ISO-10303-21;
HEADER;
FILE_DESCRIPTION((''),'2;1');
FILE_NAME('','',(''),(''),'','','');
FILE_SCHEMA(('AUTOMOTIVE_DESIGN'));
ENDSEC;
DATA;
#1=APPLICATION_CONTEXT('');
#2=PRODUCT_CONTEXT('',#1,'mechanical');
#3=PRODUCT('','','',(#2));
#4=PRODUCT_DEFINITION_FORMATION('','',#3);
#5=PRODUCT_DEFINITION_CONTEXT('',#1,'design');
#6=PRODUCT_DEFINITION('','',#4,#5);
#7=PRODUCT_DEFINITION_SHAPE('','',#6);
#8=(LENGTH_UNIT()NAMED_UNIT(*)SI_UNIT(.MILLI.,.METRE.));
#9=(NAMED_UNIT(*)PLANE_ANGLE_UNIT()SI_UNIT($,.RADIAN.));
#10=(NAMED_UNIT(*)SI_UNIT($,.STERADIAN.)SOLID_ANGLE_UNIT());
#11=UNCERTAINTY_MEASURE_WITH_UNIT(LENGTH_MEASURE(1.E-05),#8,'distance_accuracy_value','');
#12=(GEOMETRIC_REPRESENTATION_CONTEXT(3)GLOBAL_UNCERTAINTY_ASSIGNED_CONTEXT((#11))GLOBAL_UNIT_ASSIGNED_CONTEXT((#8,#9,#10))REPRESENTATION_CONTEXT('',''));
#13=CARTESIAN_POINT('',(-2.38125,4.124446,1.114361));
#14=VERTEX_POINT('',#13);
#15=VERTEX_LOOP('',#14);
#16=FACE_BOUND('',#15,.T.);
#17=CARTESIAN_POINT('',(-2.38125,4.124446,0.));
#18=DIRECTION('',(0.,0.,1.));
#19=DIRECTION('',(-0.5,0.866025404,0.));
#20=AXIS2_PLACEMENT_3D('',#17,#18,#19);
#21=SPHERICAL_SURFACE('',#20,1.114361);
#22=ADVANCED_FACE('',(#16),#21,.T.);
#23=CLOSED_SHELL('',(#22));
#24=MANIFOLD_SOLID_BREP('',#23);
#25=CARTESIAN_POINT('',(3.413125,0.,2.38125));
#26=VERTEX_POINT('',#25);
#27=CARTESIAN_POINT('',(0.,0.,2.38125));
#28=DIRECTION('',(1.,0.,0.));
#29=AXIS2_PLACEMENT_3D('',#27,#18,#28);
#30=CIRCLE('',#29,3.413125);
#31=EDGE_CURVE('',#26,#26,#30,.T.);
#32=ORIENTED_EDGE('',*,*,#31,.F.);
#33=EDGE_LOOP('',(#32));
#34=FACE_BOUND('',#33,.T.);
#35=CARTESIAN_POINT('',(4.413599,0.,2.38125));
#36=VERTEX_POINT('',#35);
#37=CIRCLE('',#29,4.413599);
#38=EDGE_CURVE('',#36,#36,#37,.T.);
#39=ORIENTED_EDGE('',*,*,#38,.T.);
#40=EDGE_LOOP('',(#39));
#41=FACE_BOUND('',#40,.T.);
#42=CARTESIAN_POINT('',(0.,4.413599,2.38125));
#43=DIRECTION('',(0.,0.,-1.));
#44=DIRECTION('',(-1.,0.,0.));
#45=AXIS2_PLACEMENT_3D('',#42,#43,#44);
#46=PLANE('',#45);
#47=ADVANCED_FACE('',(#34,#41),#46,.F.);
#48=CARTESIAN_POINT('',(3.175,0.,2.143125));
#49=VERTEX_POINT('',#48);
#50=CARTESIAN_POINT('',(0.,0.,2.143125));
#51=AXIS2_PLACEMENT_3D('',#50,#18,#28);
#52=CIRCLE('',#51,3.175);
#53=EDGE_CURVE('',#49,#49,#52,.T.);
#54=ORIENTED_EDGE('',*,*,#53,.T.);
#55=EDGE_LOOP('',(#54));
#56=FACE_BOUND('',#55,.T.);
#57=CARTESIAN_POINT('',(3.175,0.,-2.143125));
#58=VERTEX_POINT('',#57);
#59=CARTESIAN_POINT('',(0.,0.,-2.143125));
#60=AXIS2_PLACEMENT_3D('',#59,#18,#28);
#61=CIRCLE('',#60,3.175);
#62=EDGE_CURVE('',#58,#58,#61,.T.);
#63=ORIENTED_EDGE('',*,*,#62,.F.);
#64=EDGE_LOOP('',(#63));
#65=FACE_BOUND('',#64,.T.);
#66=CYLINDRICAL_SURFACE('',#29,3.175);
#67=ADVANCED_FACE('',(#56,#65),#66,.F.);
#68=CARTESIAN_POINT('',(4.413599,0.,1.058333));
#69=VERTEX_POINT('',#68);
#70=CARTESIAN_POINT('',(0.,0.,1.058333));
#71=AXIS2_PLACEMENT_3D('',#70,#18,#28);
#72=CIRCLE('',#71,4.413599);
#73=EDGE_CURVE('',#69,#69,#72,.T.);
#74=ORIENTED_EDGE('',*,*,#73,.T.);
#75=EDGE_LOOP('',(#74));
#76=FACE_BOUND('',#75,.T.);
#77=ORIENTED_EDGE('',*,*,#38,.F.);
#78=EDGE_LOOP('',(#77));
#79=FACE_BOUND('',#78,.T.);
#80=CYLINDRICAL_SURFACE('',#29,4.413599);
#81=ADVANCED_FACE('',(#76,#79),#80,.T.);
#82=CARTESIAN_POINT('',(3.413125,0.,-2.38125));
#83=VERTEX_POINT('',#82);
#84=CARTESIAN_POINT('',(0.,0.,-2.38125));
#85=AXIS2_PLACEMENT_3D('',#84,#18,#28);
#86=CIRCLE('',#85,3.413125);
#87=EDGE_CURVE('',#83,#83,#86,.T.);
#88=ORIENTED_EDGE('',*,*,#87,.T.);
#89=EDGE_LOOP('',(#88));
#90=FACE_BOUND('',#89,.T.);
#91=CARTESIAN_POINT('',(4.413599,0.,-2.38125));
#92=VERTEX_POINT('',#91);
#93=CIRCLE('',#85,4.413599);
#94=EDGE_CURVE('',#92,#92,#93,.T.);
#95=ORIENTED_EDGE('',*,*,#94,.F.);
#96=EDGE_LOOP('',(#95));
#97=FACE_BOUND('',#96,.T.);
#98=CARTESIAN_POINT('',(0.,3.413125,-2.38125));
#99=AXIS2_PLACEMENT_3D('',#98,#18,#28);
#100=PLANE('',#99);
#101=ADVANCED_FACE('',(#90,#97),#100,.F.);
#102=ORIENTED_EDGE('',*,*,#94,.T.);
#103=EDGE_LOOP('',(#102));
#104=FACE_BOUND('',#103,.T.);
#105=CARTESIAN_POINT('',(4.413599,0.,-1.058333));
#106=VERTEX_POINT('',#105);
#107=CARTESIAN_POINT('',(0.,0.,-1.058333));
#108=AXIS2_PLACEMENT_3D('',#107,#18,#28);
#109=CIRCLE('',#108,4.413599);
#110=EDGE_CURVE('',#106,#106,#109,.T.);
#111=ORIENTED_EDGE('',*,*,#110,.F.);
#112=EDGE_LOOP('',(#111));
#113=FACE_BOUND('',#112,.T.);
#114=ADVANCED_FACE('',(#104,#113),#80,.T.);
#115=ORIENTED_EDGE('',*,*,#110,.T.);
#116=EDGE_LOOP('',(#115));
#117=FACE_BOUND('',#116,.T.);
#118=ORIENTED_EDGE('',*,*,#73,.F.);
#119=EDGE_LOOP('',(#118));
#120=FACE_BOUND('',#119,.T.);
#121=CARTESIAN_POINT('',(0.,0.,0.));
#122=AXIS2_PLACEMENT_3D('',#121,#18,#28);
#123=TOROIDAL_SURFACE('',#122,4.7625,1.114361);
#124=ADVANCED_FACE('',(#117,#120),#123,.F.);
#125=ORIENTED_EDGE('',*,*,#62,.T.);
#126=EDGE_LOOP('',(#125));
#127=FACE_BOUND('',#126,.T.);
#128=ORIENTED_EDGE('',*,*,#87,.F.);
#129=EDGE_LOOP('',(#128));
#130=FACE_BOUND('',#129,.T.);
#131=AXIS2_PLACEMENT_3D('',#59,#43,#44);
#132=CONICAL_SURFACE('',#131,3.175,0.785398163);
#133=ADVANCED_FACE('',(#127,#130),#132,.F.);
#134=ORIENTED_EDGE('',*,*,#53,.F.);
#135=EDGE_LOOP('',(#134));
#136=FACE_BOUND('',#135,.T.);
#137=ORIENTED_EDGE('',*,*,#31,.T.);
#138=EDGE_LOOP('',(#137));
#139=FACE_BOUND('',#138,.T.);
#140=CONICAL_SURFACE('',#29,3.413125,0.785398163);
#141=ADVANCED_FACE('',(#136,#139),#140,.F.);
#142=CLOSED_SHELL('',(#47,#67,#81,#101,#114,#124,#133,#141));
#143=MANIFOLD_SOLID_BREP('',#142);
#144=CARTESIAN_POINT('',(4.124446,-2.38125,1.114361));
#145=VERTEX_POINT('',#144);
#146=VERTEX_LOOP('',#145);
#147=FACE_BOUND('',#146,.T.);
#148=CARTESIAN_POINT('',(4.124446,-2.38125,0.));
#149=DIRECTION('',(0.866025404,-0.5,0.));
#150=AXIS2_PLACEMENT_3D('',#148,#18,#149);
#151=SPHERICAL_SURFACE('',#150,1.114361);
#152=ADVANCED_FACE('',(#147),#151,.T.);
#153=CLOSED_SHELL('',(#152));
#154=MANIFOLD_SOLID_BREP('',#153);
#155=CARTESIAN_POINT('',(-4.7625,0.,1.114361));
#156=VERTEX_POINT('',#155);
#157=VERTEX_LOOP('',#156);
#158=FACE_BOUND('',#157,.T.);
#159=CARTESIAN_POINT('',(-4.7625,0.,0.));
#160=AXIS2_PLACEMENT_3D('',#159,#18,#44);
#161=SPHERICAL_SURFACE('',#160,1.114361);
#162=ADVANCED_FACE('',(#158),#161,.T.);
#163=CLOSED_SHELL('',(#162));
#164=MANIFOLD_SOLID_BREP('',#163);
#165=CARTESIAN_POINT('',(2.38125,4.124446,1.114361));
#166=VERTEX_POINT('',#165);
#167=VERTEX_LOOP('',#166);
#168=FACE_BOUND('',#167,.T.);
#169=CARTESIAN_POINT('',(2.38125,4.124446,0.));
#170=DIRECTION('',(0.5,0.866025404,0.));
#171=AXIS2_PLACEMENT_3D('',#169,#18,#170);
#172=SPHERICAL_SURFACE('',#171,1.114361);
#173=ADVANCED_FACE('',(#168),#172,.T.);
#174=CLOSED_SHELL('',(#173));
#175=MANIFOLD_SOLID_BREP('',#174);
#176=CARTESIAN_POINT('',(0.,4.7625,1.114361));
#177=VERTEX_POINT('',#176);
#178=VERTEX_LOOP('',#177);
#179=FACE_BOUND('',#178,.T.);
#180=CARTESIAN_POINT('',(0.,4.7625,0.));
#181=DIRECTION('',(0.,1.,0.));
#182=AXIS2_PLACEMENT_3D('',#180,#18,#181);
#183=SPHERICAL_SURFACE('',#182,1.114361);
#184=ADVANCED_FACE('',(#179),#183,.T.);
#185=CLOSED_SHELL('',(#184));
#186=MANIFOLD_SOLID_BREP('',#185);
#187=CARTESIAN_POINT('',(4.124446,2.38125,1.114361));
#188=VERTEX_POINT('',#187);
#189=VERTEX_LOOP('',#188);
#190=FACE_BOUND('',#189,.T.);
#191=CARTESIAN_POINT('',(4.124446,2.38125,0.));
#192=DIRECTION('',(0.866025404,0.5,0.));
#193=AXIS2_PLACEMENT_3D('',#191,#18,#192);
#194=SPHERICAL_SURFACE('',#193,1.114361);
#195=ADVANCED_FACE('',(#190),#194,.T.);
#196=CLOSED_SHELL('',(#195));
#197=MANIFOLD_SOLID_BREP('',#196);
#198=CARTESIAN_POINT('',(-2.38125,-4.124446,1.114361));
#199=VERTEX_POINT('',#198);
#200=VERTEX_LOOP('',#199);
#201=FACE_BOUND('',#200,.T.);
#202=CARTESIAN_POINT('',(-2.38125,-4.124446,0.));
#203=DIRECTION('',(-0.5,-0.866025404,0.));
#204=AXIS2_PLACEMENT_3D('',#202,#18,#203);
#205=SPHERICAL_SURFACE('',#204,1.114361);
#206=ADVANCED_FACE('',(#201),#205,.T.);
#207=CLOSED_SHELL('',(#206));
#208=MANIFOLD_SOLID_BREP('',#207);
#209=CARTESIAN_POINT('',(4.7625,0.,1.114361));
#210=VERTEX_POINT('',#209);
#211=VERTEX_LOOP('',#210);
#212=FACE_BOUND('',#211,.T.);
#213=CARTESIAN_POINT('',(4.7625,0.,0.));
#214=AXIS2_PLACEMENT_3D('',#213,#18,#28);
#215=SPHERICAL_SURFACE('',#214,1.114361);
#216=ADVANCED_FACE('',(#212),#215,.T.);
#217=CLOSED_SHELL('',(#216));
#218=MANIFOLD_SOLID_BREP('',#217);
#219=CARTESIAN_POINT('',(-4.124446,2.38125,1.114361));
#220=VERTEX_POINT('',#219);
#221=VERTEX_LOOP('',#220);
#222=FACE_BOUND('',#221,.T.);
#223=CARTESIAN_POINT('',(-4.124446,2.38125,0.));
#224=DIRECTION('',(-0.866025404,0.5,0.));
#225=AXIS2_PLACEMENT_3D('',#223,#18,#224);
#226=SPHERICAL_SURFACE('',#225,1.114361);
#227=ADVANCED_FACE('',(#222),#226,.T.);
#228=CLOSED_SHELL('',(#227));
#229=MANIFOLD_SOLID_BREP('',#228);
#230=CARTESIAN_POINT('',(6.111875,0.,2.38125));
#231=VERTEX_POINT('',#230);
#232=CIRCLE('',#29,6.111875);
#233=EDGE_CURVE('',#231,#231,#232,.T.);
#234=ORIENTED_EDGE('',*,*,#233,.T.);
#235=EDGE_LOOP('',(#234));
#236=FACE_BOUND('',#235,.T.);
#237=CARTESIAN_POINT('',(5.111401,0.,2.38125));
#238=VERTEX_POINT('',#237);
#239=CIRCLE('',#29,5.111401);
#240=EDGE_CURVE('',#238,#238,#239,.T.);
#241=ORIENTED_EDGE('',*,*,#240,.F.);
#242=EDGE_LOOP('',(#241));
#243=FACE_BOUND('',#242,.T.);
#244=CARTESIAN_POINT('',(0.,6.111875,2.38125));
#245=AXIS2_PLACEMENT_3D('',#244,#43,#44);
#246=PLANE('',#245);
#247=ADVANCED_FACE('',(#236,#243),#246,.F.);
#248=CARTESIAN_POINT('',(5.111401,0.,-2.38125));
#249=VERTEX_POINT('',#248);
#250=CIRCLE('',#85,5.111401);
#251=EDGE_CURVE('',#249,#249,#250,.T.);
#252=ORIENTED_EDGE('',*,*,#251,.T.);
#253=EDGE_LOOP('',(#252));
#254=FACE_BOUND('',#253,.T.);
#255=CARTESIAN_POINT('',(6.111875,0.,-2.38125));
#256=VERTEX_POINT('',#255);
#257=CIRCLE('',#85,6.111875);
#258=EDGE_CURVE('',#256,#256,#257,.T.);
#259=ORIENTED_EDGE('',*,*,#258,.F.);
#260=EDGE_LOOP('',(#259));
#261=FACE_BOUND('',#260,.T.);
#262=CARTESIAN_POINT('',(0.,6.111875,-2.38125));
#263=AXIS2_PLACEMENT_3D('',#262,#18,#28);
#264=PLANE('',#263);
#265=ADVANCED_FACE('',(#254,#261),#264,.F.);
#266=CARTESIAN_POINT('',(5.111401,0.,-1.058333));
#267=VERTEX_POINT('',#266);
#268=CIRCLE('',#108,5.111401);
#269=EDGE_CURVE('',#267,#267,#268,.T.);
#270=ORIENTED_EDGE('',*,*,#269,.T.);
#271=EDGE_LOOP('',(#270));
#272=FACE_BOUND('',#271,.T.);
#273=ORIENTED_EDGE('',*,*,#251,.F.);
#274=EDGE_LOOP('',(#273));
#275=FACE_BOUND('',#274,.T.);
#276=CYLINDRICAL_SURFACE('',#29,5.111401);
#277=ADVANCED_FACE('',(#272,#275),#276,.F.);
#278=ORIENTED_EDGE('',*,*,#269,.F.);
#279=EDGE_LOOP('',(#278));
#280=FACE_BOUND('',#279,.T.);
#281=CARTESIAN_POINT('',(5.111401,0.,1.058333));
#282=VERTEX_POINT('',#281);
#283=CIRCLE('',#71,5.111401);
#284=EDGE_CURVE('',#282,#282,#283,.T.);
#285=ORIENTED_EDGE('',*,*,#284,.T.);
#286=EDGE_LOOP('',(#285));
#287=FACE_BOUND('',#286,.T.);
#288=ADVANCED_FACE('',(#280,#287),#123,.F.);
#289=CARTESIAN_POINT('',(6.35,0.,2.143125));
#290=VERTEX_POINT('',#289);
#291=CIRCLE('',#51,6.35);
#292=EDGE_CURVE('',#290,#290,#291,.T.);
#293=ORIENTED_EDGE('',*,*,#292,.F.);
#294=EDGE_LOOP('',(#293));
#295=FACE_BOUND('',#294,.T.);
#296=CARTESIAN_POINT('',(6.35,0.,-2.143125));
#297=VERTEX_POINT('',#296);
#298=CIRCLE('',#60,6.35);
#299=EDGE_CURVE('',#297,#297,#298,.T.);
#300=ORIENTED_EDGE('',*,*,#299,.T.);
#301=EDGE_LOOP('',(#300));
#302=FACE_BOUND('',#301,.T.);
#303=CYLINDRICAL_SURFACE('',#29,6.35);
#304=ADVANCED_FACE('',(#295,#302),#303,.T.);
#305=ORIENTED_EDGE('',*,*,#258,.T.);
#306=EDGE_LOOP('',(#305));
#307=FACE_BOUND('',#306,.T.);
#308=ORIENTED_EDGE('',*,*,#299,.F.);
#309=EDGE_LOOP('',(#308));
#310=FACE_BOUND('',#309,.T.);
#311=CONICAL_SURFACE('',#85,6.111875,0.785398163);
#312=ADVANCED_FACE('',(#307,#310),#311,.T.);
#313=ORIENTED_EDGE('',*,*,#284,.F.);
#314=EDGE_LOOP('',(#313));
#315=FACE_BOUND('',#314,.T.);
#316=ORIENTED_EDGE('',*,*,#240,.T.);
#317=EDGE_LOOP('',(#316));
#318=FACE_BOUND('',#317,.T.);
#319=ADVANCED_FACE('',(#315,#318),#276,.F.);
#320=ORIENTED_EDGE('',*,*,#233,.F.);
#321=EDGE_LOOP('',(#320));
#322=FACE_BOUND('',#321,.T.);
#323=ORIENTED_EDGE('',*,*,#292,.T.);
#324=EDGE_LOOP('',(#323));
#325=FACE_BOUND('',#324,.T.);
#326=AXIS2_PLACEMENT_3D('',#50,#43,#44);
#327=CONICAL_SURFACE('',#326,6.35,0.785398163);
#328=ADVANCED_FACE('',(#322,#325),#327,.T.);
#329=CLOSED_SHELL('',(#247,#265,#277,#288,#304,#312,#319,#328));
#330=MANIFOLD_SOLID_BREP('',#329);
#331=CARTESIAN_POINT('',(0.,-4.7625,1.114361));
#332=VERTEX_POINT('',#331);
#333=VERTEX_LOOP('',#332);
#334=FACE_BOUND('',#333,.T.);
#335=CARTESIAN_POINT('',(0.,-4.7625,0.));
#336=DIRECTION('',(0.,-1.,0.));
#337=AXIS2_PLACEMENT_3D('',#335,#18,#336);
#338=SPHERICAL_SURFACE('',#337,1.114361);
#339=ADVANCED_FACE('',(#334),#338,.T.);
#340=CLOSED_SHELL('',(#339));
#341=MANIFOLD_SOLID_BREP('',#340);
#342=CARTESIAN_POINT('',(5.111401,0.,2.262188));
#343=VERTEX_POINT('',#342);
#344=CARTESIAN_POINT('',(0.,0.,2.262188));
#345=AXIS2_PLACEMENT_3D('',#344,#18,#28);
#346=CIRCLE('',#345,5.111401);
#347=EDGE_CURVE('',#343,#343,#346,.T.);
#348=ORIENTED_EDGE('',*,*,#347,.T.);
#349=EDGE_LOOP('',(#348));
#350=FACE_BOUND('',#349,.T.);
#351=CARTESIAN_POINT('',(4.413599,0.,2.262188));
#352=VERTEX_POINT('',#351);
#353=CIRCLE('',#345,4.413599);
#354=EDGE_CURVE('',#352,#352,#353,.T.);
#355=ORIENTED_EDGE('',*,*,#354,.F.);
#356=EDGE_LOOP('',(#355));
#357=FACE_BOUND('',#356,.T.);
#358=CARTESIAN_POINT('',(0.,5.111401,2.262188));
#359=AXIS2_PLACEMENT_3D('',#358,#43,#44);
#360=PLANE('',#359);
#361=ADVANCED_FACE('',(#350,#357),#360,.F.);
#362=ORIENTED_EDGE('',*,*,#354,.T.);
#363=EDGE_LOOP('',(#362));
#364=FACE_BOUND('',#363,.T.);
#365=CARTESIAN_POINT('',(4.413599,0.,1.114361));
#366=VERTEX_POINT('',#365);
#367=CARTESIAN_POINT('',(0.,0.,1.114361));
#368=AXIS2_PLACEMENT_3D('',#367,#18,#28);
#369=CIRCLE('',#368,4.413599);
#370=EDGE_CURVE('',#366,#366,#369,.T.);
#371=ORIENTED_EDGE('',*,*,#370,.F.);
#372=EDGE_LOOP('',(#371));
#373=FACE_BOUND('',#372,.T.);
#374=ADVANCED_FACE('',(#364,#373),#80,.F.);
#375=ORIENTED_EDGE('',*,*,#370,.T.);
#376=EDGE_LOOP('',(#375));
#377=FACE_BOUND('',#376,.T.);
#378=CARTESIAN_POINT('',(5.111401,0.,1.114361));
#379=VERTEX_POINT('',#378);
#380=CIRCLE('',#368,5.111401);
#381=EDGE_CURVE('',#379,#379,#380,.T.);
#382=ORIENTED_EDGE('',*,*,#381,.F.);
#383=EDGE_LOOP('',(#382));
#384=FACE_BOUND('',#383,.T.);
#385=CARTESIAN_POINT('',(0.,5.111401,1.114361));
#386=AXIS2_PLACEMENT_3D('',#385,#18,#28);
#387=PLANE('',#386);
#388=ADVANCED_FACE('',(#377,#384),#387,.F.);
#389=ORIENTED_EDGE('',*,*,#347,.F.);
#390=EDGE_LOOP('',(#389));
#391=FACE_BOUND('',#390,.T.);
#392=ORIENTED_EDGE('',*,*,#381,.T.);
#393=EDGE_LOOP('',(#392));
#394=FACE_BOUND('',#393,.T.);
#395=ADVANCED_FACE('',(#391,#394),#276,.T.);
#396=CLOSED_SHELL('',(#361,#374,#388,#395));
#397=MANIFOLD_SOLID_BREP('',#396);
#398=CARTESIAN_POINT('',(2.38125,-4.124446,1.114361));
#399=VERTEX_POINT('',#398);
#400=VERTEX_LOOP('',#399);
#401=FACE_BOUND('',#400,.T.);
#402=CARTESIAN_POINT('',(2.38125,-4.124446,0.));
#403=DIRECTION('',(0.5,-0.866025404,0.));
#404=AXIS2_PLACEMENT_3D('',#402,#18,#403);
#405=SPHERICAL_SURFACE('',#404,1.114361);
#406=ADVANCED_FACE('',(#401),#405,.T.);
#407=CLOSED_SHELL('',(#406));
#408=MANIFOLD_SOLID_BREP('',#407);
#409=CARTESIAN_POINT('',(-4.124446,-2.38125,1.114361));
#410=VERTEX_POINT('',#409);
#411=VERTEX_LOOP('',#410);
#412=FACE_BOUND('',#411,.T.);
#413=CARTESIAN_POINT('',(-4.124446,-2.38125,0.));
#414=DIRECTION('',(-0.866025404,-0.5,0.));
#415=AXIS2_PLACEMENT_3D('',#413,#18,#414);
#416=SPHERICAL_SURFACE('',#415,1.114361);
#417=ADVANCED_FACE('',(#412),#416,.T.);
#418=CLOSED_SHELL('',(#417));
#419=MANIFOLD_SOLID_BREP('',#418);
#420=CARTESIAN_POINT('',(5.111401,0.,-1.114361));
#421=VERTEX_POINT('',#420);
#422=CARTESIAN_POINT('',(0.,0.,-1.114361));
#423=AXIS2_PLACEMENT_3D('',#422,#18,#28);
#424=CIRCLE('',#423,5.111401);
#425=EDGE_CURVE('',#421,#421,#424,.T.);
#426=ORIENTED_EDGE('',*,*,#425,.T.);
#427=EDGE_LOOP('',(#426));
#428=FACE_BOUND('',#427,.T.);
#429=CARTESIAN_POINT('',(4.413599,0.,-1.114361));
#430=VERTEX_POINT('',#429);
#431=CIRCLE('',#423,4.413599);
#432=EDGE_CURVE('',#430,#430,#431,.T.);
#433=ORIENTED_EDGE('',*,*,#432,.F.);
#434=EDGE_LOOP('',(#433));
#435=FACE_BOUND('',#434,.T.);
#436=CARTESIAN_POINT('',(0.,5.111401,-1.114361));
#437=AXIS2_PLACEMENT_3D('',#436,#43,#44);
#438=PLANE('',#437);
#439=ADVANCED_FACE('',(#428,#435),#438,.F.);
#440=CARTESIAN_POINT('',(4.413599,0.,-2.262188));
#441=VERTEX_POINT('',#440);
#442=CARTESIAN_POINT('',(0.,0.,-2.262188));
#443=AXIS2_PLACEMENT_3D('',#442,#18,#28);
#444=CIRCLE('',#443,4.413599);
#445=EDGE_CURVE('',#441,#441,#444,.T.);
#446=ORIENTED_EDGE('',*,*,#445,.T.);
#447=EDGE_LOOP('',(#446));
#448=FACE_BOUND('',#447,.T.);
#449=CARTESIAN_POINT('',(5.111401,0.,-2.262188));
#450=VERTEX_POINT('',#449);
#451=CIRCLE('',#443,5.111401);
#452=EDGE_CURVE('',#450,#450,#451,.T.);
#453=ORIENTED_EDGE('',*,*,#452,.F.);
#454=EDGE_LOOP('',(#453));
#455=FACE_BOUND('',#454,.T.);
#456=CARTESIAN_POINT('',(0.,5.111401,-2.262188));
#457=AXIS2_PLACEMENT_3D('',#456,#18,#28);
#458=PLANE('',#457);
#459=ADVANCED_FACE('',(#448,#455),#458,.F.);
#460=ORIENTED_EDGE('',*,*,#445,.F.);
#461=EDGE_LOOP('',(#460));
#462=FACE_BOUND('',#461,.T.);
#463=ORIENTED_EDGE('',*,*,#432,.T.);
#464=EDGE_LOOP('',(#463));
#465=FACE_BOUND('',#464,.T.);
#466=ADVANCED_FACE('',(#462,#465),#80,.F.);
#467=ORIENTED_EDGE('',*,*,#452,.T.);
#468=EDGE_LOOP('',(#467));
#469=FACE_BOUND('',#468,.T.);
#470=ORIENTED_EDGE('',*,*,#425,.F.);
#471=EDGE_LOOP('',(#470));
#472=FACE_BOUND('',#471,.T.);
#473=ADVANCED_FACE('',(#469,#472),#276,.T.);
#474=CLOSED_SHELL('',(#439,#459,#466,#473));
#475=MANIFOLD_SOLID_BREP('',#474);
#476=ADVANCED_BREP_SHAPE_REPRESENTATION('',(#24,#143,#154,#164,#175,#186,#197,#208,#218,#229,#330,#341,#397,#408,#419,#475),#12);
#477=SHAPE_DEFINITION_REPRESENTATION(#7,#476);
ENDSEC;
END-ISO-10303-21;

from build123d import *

# Parameters (mm, degrees)
CIRPATTERN1_COUNT = 12
SKETCH5_W         = 1.147826059
SKETCH5_H         = 0.697802198


with BuildPart() as part:
    # Sketch1 → Revolve1 (revolve)
    with BuildSketch(Plane(origin=(0, 0, 0), x_dir=(0, 0, -1), z_dir=(1, 0, 0))):
        with BuildLine():
            Line((2.143125, 6.35), (-2.143125, 6.35))
            Line((-2.143125, 6.35), (-2.38125, 6.111875))
            Line((-2.38125, 6.111875), (-2.38125, 5.111401099))
            Line((-2.38125, 5.111401099), (-1.058333333, 5.111401099))
            ThreePointArc((-1.058333333, 5.111401099), (0, 5.876861441), (1.058333333, 5.111401099))
            Line((1.058333333, 5.111401099), (2.38125, 5.111401099))
            Line((2.38125, 5.111401099), (2.38125, 6.111875))
            Line((2.38125, 6.111875), (2.143125, 6.35))
        make_face()
    revolve(axis=Axis((0, 0, 2.38125), (0, 0, -1)))


with BuildPart() as body_2:
    # Sketch3 → Revolve3 (revolve)
    with BuildSketch(Plane(origin=(0, 0, 0), x_dir=(0, 0, -1), z_dir=(1, 0, 0))):
        with BuildLine():
            Line((-1.058333333, 4.413598901), (-2.38125, 4.413598901))
            Line((-2.38125, 4.413598901), (-2.38125, 3.413125))
            Line((-2.38125, 3.413125), (-2.143125, 3.175))
            Line((-2.143125, 3.175), (2.143125, 3.175))
            Line((2.143125, 3.175), (2.38125, 3.413125))
            Line((2.38125, 3.413125), (2.38125, 4.413598901))
            Line((2.38125, 4.413598901), (1.058333333, 4.413598901))
            ThreePointArc((1.058333333, 4.413598901), (0, 3.648138559), (-1.058333333, 4.413598901))
        make_face()
    revolve(axis=Axis((0, 0, 2.38125), (0, 0, -1)))


with BuildPart() as body_3:
    # Sketch4 → Revolve4 (revolve)
    with BuildSketch(Plane(origin=(0, 0, 0), x_dir=(0, 0, -1), z_dir=(1, 0, 0))):
        with BuildLine():
            Line((-1.114361441, 4.7625), (1.114361441, 4.7625))
            ThreePointArc((1.114361441, 4.7625), (0, 5.876861441), (-1.114361441, 4.7625))
        make_face()
    revolve(axis=Axis((0, 4.7625, 1.114361441), (0, 0, -1)))


with BuildPart() as cirpattern1_1:
    # CirPattern1: pattern copy
    add(body_3.part.rotate(Axis((0, 0, 0), (0, 0, 1)), 1 * 360 / CIRPATTERN1_COUNT))


with BuildPart() as cirpattern1_2:
    # CirPattern1: pattern copy
    add(body_3.part.rotate(Axis((0, 0, 0), (0, 0, 1)), 2 * 360 / CIRPATTERN1_COUNT))


with BuildPart() as cirpattern1_3:
    # CirPattern1: pattern copy
    add(body_3.part.rotate(Axis((0, 0, 0), (0, 0, 1)), 3 * 360 / CIRPATTERN1_COUNT))


with BuildPart() as cirpattern1_4:
    # CirPattern1: pattern copy
    add(body_3.part.rotate(Axis((0, 0, 0), (0, 0, 1)), 4 * 360 / CIRPATTERN1_COUNT))


with BuildPart() as cirpattern1_5:
    # CirPattern1: pattern copy
    add(body_3.part.rotate(Axis((0, 0, 0), (0, 0, 1)), 5 * 360 / CIRPATTERN1_COUNT))


with BuildPart() as cirpattern1_6:
    # CirPattern1: pattern copy
    add(body_3.part.rotate(Axis((0, 0, 0), (0, 0, 1)), 6 * 360 / CIRPATTERN1_COUNT))


with BuildPart() as cirpattern1_7:
    # CirPattern1: pattern copy
    add(body_3.part.rotate(Axis((0, 0, 0), (0, 0, 1)), 7 * 360 / CIRPATTERN1_COUNT))


with BuildPart() as cirpattern1_8:
    # CirPattern1: pattern copy
    add(body_3.part.rotate(Axis((0, 0, 0), (0, 0, 1)), 8 * 360 / CIRPATTERN1_COUNT))


with BuildPart() as cirpattern1_9:
    # CirPattern1: pattern copy
    add(body_3.part.rotate(Axis((0, 0, 0), (0, 0, 1)), 9 * 360 / CIRPATTERN1_COUNT))


with BuildPart() as cirpattern1_10:
    # CirPattern1: pattern copy
    add(body_3.part.rotate(Axis((0, 0, 0), (0, 0, 1)), 10 * 360 / CIRPATTERN1_COUNT))


with BuildPart() as cirpattern1_11:
    # CirPattern1: pattern copy
    add(body_3.part.rotate(Axis((0, 0, 0), (0, 0, 1)), 11 * 360 / CIRPATTERN1_COUNT))


with BuildPart() as body_15:
    # Sketch5 → Revolve5 (revolve)
    with BuildSketch(Plane(origin=(0, 0, 0), x_dir=(0, 0, -1), z_dir=(1, 0, 0))):
        with Locations((-1.688274471, 4.7625)):
            Rectangle(SKETCH5_W, SKETCH5_H)
        with Locations((1.688274471, 4.7625)):
            Rectangle(SKETCH5_W, SKETCH5_H)
    revolve(axis=Axis((0, 0, 2.38125), (0, 0, -1)))


solid = Compound([part.part, body_2.part, body_3.part, cirpattern1_1.part, cirpattern1_2.part, cirpattern1_3.part, cirpattern1_4.part, cirpattern1_5.part, cirpattern1_6.part, cirpattern1_7.part, cirpattern1_8.part, cirpattern1_9.part, cirpattern1_10.part, cirpattern1_11.part, body_15.part])
